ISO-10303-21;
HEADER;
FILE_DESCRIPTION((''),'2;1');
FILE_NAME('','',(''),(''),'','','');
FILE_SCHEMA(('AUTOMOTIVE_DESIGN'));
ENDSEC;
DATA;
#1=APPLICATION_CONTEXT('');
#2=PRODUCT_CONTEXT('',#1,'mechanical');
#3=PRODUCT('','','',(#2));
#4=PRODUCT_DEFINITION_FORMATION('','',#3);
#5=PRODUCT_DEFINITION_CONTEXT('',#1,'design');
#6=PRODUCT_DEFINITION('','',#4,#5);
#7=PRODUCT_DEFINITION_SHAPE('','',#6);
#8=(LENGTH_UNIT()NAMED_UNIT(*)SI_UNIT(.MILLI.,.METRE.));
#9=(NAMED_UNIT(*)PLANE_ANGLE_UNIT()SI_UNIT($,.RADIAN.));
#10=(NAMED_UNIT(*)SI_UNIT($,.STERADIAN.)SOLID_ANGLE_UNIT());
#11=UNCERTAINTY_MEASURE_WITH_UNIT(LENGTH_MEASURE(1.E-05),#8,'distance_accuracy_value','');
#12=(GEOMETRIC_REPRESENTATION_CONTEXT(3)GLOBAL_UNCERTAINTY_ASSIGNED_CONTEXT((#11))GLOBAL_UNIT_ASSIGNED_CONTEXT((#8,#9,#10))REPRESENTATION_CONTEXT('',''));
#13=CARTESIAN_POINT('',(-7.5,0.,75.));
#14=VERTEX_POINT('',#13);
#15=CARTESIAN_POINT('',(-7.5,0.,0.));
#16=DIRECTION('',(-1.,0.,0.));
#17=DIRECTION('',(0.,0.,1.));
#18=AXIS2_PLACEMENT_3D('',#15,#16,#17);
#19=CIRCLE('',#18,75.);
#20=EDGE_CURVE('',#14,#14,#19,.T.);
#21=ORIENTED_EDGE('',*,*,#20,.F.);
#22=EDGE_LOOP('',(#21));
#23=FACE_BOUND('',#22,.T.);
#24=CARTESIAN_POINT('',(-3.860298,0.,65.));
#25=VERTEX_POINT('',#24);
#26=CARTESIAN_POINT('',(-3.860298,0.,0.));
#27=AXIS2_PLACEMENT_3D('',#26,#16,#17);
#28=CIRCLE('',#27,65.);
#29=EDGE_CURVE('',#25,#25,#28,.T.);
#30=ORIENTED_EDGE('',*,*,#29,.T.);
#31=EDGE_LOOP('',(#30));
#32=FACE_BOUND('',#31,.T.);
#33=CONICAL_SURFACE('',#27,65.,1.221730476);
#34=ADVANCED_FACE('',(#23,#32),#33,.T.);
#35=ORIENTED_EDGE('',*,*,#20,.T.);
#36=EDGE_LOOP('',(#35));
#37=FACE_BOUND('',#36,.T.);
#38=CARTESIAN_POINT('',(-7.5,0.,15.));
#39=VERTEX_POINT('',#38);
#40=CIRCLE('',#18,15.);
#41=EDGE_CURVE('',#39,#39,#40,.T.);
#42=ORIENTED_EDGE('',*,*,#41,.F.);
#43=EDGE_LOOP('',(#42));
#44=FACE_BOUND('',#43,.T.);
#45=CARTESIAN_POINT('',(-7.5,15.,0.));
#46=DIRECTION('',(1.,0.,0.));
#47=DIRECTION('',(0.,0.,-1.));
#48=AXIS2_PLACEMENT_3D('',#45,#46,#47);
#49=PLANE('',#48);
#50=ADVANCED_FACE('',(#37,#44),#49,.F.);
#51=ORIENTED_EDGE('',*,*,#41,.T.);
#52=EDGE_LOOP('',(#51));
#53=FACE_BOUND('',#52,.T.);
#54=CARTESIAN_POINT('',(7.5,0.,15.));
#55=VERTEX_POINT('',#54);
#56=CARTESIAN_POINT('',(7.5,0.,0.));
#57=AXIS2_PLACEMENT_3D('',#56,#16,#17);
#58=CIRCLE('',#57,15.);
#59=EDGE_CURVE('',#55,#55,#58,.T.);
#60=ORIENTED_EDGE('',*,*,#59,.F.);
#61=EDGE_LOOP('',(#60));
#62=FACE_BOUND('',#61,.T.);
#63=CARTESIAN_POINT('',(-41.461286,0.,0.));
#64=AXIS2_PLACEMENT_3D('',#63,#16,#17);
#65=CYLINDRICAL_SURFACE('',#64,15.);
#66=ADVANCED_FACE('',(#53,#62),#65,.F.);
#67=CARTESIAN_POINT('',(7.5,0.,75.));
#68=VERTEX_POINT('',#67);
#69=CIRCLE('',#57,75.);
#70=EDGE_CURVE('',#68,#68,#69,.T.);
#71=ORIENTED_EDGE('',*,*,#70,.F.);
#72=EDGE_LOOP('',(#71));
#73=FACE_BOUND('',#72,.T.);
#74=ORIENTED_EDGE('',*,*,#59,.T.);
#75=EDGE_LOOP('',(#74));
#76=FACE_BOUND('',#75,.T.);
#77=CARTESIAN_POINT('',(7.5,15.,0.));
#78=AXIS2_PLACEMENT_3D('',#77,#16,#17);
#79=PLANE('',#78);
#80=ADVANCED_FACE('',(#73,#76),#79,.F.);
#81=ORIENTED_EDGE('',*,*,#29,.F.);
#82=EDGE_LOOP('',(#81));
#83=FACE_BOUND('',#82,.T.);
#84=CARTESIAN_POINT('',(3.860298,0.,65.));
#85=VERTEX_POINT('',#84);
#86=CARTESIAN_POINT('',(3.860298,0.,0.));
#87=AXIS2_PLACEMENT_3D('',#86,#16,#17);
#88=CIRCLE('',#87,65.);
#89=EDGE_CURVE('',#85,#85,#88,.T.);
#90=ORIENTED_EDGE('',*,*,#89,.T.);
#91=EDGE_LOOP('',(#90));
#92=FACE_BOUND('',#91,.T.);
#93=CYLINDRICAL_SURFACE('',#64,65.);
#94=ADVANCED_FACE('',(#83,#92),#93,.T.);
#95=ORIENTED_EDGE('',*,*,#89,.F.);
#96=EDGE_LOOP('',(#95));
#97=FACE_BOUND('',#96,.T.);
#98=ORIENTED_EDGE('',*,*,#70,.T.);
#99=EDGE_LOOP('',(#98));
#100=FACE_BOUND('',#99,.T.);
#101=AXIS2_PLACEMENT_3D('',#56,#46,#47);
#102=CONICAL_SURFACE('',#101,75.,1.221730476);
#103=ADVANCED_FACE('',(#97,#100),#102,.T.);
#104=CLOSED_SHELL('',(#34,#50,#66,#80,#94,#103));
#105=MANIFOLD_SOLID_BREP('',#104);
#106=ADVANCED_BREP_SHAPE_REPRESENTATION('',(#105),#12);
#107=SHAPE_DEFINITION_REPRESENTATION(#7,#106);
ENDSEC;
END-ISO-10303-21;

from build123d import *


with BuildPart() as part:
    # Croquis1 → Revolución1 (revolve)
    with BuildSketch(Plane.XY, mode=Mode.PRIVATE) as revoluci_n1_sk:
        Polygon((7.5, 15), (-7.5, 15), (-7.5, 75), (-3.860297657, 65), (3.860297657, 65), (7.5, 75), align=None)
    revolve(revoluci_n1_sk.sketch.rotate(Axis((-41.461285615, 0, 0), (1, 0, 0)), 90), axis=Axis((-41.461285615, 0, 0), (1, 0, 0)))


solid = part.part
